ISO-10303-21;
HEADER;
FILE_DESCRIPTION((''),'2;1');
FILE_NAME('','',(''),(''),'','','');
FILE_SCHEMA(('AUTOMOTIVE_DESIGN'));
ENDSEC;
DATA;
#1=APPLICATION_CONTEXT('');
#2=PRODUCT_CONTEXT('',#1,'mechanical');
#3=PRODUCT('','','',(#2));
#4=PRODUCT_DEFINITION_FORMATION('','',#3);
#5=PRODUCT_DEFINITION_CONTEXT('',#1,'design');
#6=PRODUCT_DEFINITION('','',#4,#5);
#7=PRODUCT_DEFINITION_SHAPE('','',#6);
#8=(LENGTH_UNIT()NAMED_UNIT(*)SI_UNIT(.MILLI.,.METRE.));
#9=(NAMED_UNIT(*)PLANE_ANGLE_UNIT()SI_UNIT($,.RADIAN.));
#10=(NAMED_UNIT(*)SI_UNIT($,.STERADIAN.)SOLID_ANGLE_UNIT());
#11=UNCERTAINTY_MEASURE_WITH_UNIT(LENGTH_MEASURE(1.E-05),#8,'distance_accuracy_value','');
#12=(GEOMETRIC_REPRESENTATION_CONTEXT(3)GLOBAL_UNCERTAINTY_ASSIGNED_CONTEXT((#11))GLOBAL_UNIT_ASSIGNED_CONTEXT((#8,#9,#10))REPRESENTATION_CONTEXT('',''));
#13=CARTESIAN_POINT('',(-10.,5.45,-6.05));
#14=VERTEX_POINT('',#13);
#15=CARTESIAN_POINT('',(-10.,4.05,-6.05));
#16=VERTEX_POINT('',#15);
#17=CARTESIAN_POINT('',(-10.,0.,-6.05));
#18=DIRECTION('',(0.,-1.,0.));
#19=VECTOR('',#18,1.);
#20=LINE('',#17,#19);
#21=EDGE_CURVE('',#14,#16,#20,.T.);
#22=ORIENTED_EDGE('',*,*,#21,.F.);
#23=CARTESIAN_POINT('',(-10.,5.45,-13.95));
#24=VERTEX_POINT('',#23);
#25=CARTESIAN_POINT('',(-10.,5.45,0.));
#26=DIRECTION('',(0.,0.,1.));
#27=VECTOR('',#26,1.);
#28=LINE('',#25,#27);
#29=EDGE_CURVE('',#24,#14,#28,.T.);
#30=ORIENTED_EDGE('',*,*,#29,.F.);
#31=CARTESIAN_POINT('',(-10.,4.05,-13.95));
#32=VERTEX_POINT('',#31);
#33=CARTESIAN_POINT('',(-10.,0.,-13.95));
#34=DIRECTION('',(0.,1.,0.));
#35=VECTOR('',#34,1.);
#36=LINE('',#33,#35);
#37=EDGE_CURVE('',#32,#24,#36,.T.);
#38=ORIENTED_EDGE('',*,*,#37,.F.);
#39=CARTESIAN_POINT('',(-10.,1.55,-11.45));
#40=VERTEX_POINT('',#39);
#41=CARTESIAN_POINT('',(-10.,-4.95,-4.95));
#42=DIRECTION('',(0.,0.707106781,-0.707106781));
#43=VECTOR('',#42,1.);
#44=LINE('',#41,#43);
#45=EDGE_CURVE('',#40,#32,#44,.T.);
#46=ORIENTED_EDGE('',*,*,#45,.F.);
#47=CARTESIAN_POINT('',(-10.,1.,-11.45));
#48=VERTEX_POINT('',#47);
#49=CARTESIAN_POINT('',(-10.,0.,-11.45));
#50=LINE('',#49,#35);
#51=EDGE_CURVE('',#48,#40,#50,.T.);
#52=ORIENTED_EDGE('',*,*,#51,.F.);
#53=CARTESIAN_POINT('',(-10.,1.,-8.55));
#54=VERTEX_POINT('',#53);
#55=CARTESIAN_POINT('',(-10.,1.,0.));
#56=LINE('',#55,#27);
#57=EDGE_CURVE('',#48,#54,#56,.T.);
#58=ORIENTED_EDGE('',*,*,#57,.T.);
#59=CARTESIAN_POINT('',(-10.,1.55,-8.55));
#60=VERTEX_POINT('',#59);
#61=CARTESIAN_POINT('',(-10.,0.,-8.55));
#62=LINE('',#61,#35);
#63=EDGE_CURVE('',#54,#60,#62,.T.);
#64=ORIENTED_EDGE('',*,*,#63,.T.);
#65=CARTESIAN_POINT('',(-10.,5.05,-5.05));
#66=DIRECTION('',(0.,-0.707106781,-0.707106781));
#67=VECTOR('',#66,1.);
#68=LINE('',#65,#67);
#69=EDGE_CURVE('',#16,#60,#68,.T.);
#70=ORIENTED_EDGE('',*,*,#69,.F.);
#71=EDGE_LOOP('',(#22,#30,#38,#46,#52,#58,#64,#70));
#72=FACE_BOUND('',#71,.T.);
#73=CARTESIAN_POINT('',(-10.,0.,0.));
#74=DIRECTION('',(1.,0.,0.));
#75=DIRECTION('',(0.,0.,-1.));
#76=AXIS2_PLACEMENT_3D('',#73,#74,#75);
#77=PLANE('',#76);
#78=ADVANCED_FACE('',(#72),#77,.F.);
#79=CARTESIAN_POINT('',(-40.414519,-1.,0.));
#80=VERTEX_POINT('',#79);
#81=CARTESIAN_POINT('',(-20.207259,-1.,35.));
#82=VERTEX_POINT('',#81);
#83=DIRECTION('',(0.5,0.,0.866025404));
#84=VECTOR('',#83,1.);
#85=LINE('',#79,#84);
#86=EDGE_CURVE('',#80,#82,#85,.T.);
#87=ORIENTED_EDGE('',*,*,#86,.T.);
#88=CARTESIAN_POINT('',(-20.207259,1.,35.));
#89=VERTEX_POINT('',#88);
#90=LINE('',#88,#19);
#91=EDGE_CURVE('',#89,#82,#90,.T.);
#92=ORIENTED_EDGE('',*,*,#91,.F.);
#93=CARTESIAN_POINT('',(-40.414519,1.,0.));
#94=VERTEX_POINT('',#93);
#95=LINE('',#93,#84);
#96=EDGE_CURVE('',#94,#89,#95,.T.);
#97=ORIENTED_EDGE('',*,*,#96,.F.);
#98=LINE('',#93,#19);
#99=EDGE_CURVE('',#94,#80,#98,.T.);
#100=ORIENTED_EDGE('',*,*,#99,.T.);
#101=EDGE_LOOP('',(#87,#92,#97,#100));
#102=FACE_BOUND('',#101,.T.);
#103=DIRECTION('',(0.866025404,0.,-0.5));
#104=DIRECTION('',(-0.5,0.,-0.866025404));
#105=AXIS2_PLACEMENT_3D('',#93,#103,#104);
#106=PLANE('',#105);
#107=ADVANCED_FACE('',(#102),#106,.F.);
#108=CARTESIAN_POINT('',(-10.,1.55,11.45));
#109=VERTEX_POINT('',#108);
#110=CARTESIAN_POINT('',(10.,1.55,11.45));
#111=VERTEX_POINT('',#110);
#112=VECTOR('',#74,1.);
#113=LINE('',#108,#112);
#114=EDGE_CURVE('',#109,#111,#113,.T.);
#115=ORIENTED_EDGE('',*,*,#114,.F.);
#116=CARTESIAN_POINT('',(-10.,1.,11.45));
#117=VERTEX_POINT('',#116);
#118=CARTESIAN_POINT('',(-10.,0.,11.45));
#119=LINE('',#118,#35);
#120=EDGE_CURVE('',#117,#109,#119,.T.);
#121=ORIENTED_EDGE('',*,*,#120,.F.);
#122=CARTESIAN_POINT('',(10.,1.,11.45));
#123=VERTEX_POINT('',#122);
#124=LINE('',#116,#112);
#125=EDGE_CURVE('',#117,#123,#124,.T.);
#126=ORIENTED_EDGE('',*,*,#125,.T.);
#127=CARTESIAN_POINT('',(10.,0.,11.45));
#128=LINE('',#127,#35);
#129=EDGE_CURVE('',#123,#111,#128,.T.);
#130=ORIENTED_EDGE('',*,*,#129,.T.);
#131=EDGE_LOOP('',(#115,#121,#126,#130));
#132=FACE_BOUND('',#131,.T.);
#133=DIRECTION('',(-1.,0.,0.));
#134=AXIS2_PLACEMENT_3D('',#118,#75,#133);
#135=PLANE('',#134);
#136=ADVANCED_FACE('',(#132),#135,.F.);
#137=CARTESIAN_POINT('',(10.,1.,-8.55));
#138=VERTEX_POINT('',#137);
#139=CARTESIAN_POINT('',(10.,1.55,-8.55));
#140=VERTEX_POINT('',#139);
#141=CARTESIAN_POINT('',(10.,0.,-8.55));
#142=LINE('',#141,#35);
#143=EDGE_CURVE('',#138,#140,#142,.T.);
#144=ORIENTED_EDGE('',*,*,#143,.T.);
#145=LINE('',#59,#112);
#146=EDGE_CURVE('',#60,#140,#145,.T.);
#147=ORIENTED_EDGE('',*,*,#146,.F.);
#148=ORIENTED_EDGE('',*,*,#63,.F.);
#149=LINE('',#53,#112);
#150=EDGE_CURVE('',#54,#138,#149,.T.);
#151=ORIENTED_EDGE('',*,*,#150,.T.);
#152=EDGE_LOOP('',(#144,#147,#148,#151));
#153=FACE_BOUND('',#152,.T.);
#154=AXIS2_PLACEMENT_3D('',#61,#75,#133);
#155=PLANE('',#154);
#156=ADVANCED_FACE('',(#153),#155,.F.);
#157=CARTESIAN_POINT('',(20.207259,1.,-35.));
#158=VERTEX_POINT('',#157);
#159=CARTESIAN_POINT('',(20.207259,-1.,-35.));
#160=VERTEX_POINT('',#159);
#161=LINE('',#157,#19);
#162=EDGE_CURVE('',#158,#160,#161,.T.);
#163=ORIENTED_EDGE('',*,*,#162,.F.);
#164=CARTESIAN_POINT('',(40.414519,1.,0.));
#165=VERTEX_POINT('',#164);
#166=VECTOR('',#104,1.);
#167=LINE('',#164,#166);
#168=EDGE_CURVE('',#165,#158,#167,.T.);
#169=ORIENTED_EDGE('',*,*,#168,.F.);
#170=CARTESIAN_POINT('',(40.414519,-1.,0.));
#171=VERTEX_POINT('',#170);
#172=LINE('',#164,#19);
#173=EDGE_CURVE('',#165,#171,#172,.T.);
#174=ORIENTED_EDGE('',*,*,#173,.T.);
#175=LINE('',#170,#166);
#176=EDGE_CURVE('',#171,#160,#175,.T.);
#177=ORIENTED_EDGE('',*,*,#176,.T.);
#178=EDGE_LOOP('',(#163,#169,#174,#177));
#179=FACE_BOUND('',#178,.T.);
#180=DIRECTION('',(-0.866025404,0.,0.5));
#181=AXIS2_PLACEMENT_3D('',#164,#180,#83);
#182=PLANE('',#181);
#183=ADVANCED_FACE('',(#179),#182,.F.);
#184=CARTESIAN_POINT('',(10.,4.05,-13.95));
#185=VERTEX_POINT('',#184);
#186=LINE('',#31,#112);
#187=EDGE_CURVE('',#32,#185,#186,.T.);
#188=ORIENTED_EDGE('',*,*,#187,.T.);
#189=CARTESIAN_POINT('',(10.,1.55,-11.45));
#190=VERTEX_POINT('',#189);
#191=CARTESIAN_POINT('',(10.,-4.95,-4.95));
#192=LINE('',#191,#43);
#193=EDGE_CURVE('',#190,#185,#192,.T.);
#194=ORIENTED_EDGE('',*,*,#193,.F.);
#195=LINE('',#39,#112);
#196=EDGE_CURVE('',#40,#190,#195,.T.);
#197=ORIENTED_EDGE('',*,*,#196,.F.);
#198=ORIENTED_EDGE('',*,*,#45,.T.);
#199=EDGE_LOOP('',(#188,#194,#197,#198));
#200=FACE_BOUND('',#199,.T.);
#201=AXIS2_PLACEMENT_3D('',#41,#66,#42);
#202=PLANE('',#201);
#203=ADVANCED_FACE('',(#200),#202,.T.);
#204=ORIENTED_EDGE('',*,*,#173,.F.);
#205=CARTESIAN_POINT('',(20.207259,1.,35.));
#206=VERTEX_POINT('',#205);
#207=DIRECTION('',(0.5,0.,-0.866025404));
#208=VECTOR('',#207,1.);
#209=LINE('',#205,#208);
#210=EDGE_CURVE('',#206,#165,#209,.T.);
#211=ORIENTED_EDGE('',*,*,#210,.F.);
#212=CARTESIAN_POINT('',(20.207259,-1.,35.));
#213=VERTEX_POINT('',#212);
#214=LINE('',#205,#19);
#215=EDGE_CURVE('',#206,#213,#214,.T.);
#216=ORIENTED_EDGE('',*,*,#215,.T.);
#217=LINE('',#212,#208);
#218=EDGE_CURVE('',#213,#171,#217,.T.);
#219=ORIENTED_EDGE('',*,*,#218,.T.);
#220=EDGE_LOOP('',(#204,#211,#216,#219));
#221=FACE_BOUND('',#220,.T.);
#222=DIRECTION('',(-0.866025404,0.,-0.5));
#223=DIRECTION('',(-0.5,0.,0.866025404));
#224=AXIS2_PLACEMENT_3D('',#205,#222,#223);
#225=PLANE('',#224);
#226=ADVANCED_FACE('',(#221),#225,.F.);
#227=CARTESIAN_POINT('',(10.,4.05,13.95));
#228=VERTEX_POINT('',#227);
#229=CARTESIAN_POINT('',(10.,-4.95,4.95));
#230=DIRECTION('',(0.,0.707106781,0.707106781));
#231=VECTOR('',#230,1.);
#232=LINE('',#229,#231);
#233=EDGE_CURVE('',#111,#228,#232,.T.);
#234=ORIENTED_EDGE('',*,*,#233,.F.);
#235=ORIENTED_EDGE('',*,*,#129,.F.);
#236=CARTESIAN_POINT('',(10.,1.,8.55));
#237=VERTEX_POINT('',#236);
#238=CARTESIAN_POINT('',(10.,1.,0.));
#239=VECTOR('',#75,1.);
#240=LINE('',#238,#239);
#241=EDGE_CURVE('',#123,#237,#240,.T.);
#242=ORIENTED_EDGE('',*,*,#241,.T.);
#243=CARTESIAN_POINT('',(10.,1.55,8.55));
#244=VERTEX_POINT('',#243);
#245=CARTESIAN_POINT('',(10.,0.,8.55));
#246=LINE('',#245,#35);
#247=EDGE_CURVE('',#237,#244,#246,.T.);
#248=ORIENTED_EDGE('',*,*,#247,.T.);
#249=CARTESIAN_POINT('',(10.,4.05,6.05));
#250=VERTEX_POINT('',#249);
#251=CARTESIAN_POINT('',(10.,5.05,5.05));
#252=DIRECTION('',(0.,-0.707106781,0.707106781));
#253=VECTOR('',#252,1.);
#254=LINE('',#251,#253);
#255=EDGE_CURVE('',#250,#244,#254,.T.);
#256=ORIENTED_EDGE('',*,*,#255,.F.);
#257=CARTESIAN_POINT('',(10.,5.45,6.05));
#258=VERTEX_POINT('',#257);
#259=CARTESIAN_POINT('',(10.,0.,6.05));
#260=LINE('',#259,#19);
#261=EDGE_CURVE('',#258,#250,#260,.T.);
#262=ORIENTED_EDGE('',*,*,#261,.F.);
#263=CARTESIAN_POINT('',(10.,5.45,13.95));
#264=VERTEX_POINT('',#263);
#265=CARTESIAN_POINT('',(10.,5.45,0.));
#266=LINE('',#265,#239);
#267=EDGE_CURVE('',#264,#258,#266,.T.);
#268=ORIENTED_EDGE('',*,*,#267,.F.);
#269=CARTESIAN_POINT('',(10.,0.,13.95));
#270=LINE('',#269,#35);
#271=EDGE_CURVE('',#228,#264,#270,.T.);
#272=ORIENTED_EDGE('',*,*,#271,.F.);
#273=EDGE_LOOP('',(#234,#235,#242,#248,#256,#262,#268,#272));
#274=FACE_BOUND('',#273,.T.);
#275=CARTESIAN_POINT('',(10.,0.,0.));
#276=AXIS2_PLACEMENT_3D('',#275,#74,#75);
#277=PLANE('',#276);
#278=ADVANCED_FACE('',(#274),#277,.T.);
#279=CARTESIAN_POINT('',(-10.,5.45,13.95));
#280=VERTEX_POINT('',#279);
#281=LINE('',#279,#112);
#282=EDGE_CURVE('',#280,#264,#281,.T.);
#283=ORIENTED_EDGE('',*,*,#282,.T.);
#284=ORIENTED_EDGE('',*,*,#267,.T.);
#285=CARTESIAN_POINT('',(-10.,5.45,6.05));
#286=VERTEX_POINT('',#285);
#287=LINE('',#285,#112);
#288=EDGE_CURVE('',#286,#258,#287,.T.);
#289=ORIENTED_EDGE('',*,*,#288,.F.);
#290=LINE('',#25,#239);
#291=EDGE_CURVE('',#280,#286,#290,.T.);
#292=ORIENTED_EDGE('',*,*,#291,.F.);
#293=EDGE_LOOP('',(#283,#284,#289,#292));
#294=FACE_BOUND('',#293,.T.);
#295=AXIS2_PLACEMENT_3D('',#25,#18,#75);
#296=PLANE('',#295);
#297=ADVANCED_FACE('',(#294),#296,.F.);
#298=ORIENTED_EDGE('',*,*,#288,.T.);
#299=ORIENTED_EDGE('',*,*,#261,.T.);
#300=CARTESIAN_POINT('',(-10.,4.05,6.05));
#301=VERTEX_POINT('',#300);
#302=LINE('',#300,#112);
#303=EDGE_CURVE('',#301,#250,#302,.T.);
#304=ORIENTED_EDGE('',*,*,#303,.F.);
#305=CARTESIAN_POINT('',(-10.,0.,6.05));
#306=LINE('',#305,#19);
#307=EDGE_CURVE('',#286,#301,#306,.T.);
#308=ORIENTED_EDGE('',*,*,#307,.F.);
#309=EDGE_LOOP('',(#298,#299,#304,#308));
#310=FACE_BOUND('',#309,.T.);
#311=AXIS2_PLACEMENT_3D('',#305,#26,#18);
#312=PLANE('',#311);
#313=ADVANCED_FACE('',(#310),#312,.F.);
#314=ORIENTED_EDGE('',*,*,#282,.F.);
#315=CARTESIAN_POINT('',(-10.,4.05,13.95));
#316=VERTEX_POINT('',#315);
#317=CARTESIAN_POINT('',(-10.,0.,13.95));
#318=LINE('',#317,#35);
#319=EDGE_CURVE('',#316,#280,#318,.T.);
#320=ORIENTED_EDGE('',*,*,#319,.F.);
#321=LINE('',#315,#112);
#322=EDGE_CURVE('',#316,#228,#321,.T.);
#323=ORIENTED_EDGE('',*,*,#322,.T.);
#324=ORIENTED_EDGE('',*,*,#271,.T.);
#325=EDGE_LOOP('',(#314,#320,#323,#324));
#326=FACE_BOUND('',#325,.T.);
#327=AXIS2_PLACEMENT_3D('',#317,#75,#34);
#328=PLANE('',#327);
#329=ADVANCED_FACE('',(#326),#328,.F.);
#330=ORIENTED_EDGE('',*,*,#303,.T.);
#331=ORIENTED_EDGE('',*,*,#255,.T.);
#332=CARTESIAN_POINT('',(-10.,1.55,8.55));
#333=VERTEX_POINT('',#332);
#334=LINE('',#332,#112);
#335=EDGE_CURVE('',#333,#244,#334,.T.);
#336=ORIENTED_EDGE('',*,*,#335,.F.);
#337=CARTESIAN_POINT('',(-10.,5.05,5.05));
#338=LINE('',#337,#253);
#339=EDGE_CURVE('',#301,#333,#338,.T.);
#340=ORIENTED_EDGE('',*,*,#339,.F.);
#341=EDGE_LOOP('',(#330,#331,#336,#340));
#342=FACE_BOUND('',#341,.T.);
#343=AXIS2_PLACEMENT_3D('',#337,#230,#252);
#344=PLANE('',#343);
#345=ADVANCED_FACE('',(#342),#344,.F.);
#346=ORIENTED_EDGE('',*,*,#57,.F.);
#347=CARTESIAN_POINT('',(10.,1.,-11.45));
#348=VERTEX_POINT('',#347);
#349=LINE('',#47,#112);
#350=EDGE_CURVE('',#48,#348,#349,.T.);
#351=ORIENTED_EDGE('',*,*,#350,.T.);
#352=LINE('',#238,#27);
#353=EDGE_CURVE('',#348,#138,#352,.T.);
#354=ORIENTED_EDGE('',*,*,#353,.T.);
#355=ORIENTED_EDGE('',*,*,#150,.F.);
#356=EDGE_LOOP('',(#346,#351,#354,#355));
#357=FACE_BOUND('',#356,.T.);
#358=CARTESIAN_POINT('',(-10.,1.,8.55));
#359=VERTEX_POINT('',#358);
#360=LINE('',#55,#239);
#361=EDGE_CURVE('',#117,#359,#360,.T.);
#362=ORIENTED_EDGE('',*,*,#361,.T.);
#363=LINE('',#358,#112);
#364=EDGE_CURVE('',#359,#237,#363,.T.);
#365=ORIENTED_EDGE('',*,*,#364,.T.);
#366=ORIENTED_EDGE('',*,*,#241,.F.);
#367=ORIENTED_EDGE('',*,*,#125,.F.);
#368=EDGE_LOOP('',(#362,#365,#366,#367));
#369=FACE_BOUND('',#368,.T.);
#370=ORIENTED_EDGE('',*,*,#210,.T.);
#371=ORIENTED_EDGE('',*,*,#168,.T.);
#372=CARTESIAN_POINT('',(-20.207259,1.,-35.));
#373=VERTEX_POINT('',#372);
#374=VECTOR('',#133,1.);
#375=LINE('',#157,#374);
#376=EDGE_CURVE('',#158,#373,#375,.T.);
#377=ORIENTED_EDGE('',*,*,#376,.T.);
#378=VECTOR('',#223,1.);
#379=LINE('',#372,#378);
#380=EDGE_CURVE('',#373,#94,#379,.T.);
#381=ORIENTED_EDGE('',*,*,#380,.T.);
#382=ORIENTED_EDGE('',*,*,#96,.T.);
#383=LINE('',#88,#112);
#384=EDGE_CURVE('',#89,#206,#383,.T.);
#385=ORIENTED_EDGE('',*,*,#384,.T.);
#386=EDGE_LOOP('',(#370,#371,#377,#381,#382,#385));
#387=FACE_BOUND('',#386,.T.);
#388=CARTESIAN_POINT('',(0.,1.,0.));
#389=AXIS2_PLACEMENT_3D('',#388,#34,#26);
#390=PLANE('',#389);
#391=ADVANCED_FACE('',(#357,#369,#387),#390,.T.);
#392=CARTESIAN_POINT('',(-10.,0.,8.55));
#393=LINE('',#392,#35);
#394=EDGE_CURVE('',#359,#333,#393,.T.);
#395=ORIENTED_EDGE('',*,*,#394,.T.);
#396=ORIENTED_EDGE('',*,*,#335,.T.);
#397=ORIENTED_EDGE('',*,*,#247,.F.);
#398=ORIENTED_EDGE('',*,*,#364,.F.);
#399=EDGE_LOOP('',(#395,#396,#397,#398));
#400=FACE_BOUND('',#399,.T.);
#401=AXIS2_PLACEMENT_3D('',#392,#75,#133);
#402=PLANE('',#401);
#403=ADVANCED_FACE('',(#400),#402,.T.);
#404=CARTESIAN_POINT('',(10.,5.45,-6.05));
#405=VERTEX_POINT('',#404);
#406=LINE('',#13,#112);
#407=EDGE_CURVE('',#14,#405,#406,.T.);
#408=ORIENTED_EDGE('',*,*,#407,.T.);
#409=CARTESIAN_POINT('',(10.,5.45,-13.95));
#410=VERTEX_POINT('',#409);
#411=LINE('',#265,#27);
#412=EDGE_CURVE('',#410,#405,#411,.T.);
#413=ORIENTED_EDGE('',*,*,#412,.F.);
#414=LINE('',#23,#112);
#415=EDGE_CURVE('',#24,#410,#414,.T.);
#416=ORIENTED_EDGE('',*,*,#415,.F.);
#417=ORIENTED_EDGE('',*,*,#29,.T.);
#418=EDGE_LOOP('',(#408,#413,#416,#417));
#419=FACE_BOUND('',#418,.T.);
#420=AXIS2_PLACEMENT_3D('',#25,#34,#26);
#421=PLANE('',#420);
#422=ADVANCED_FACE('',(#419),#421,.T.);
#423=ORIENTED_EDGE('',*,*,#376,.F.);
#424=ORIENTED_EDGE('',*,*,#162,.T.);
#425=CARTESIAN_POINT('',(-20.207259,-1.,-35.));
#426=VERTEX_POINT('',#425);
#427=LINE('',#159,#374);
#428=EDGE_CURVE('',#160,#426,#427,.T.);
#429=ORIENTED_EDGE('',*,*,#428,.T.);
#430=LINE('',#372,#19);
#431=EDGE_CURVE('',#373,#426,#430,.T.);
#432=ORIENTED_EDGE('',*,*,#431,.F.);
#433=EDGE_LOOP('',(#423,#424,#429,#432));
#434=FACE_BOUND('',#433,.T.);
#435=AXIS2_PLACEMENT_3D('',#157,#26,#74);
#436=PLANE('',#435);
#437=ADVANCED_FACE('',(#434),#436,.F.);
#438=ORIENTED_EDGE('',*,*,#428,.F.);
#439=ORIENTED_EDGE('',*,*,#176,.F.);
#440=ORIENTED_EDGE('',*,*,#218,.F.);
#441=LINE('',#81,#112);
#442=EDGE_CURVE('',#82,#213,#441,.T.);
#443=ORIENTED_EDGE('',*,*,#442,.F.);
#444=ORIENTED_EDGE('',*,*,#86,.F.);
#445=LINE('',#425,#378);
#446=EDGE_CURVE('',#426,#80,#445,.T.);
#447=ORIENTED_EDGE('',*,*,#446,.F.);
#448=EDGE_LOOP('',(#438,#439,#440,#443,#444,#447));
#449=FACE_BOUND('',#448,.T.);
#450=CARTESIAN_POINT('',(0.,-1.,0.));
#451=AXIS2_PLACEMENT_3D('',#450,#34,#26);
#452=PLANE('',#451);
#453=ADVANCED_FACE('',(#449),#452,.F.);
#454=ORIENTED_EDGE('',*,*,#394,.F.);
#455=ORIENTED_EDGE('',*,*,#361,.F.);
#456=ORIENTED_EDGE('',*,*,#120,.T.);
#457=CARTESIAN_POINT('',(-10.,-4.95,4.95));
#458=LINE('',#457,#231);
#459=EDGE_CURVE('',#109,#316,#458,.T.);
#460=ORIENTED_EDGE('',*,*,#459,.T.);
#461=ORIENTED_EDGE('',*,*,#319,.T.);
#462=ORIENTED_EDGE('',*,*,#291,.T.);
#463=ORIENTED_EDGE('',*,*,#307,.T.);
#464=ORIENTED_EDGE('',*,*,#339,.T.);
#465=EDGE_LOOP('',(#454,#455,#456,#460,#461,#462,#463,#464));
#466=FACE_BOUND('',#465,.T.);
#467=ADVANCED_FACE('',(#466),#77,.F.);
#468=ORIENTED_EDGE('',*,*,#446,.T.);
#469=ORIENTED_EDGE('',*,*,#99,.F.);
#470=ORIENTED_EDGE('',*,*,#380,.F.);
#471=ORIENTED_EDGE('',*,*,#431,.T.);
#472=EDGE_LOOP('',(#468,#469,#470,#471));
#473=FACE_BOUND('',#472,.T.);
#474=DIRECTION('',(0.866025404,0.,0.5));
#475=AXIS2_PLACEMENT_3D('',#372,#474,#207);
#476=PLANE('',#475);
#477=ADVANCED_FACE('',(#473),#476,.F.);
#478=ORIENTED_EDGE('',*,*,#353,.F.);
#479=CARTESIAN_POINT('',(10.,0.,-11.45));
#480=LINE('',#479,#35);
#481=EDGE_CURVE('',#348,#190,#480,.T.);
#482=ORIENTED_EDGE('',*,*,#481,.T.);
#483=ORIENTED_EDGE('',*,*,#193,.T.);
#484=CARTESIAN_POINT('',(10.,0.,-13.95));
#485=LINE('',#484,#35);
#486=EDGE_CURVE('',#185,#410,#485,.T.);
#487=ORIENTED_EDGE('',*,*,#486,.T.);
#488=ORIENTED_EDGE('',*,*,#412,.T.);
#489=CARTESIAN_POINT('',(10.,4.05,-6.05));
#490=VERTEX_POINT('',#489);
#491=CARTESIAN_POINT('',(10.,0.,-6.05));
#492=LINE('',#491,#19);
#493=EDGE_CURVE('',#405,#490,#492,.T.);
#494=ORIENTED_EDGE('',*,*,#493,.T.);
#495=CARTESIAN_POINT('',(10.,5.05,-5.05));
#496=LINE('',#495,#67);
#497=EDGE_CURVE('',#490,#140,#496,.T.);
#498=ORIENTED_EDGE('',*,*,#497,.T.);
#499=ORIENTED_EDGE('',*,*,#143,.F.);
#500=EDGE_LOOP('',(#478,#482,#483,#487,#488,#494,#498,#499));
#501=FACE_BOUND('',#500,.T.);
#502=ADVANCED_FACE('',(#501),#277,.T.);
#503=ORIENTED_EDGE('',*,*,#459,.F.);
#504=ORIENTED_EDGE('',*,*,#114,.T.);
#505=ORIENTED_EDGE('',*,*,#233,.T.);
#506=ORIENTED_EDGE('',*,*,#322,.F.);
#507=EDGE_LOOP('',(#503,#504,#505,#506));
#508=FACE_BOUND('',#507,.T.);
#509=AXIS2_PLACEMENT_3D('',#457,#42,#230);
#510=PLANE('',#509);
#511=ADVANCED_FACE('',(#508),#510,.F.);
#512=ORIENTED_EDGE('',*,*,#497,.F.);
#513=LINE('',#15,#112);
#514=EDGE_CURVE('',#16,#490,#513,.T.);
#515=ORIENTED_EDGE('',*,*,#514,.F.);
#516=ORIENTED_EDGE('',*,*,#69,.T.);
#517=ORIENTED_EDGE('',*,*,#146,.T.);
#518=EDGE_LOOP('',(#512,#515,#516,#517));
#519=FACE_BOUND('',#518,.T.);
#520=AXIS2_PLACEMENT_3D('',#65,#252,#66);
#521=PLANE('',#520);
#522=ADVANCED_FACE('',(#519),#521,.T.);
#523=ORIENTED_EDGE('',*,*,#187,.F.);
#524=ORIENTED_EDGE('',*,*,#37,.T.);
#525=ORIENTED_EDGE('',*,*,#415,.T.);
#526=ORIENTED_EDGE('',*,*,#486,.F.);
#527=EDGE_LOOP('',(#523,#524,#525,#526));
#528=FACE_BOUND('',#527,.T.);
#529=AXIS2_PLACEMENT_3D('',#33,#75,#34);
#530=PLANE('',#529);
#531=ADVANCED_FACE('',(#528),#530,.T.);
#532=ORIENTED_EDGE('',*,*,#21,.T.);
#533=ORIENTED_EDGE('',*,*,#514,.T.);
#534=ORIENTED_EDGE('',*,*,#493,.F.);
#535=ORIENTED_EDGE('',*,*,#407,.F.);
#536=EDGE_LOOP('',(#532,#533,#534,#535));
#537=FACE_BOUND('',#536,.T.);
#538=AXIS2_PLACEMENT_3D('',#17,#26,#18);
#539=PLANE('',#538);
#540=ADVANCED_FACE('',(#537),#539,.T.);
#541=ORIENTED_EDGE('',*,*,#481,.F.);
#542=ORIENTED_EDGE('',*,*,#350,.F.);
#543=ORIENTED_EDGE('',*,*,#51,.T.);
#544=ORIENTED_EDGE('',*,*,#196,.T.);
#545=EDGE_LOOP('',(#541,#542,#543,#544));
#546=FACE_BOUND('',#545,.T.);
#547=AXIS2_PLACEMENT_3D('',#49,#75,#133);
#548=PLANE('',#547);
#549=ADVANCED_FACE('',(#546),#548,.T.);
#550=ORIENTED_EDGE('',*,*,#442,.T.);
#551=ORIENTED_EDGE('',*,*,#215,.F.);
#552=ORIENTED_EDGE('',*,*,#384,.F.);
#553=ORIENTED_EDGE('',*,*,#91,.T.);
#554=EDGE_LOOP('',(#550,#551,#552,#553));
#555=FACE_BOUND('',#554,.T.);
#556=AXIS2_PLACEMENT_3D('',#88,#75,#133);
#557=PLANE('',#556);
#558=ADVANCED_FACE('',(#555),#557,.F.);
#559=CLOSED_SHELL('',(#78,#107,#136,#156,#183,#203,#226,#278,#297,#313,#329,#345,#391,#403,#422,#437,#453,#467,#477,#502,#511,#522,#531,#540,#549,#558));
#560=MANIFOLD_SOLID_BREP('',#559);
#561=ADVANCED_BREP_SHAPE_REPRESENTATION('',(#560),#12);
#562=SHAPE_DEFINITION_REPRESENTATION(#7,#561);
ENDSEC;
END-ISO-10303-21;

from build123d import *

# Parameters (mm, degrees)
BOSS_EXTRUDE1_DEPTH = 1
SKETCH2_W           = 2.9
SKETCH2_H           = 0.55
BOSS_EXTRUDE2_DEPTH = 10


with BuildPart() as part:
    # Sketch1 → Boss-Extrude1 (new, symmetric)
    with BuildSketch(Plane(origin=(0, 0, 0), x_dir=(1, 0, 0), z_dir=(0, 1, 0))):
        Polygon((40.414518843, 0), (20.207259422, 35), (-20.207259422, 35), (-40.414518843, 0), (-20.207259422, -35), (20.207259422, -35), align=None)
    extrude(amount=BOSS_EXTRUDE1_DEPTH, both=True)

    # Sketch2 → Boss-Extrude2 (add, symmetric)
    with BuildSketch(Plane(origin=(0, 0, 0), x_dir=(0, 0, -1), z_dir=(1, 0, 0))):
        Polygon((6.05, 5.45), (6.05, 4.05), (8.55, 1.55), (11.45, 1.55), (13.95, 4.05), (13.95, 5.45), align=None)
        Polygon((-6.05, 5.45), (-6.05, 4.05), (-8.55, 1.55), (-11.45, 1.55), (-13.95, 4.05), (-13.95, 5.45), align=None)
        with Locations((-10, 1.275)):
            Rectangle(SKETCH2_W, SKETCH2_H)
        with Locations((10, 1.275)):
            Rectangle(SKETCH2_W, SKETCH2_H)
    extrude(amount=BOSS_EXTRUDE2_DEPTH, both=True)


solid = part.part
